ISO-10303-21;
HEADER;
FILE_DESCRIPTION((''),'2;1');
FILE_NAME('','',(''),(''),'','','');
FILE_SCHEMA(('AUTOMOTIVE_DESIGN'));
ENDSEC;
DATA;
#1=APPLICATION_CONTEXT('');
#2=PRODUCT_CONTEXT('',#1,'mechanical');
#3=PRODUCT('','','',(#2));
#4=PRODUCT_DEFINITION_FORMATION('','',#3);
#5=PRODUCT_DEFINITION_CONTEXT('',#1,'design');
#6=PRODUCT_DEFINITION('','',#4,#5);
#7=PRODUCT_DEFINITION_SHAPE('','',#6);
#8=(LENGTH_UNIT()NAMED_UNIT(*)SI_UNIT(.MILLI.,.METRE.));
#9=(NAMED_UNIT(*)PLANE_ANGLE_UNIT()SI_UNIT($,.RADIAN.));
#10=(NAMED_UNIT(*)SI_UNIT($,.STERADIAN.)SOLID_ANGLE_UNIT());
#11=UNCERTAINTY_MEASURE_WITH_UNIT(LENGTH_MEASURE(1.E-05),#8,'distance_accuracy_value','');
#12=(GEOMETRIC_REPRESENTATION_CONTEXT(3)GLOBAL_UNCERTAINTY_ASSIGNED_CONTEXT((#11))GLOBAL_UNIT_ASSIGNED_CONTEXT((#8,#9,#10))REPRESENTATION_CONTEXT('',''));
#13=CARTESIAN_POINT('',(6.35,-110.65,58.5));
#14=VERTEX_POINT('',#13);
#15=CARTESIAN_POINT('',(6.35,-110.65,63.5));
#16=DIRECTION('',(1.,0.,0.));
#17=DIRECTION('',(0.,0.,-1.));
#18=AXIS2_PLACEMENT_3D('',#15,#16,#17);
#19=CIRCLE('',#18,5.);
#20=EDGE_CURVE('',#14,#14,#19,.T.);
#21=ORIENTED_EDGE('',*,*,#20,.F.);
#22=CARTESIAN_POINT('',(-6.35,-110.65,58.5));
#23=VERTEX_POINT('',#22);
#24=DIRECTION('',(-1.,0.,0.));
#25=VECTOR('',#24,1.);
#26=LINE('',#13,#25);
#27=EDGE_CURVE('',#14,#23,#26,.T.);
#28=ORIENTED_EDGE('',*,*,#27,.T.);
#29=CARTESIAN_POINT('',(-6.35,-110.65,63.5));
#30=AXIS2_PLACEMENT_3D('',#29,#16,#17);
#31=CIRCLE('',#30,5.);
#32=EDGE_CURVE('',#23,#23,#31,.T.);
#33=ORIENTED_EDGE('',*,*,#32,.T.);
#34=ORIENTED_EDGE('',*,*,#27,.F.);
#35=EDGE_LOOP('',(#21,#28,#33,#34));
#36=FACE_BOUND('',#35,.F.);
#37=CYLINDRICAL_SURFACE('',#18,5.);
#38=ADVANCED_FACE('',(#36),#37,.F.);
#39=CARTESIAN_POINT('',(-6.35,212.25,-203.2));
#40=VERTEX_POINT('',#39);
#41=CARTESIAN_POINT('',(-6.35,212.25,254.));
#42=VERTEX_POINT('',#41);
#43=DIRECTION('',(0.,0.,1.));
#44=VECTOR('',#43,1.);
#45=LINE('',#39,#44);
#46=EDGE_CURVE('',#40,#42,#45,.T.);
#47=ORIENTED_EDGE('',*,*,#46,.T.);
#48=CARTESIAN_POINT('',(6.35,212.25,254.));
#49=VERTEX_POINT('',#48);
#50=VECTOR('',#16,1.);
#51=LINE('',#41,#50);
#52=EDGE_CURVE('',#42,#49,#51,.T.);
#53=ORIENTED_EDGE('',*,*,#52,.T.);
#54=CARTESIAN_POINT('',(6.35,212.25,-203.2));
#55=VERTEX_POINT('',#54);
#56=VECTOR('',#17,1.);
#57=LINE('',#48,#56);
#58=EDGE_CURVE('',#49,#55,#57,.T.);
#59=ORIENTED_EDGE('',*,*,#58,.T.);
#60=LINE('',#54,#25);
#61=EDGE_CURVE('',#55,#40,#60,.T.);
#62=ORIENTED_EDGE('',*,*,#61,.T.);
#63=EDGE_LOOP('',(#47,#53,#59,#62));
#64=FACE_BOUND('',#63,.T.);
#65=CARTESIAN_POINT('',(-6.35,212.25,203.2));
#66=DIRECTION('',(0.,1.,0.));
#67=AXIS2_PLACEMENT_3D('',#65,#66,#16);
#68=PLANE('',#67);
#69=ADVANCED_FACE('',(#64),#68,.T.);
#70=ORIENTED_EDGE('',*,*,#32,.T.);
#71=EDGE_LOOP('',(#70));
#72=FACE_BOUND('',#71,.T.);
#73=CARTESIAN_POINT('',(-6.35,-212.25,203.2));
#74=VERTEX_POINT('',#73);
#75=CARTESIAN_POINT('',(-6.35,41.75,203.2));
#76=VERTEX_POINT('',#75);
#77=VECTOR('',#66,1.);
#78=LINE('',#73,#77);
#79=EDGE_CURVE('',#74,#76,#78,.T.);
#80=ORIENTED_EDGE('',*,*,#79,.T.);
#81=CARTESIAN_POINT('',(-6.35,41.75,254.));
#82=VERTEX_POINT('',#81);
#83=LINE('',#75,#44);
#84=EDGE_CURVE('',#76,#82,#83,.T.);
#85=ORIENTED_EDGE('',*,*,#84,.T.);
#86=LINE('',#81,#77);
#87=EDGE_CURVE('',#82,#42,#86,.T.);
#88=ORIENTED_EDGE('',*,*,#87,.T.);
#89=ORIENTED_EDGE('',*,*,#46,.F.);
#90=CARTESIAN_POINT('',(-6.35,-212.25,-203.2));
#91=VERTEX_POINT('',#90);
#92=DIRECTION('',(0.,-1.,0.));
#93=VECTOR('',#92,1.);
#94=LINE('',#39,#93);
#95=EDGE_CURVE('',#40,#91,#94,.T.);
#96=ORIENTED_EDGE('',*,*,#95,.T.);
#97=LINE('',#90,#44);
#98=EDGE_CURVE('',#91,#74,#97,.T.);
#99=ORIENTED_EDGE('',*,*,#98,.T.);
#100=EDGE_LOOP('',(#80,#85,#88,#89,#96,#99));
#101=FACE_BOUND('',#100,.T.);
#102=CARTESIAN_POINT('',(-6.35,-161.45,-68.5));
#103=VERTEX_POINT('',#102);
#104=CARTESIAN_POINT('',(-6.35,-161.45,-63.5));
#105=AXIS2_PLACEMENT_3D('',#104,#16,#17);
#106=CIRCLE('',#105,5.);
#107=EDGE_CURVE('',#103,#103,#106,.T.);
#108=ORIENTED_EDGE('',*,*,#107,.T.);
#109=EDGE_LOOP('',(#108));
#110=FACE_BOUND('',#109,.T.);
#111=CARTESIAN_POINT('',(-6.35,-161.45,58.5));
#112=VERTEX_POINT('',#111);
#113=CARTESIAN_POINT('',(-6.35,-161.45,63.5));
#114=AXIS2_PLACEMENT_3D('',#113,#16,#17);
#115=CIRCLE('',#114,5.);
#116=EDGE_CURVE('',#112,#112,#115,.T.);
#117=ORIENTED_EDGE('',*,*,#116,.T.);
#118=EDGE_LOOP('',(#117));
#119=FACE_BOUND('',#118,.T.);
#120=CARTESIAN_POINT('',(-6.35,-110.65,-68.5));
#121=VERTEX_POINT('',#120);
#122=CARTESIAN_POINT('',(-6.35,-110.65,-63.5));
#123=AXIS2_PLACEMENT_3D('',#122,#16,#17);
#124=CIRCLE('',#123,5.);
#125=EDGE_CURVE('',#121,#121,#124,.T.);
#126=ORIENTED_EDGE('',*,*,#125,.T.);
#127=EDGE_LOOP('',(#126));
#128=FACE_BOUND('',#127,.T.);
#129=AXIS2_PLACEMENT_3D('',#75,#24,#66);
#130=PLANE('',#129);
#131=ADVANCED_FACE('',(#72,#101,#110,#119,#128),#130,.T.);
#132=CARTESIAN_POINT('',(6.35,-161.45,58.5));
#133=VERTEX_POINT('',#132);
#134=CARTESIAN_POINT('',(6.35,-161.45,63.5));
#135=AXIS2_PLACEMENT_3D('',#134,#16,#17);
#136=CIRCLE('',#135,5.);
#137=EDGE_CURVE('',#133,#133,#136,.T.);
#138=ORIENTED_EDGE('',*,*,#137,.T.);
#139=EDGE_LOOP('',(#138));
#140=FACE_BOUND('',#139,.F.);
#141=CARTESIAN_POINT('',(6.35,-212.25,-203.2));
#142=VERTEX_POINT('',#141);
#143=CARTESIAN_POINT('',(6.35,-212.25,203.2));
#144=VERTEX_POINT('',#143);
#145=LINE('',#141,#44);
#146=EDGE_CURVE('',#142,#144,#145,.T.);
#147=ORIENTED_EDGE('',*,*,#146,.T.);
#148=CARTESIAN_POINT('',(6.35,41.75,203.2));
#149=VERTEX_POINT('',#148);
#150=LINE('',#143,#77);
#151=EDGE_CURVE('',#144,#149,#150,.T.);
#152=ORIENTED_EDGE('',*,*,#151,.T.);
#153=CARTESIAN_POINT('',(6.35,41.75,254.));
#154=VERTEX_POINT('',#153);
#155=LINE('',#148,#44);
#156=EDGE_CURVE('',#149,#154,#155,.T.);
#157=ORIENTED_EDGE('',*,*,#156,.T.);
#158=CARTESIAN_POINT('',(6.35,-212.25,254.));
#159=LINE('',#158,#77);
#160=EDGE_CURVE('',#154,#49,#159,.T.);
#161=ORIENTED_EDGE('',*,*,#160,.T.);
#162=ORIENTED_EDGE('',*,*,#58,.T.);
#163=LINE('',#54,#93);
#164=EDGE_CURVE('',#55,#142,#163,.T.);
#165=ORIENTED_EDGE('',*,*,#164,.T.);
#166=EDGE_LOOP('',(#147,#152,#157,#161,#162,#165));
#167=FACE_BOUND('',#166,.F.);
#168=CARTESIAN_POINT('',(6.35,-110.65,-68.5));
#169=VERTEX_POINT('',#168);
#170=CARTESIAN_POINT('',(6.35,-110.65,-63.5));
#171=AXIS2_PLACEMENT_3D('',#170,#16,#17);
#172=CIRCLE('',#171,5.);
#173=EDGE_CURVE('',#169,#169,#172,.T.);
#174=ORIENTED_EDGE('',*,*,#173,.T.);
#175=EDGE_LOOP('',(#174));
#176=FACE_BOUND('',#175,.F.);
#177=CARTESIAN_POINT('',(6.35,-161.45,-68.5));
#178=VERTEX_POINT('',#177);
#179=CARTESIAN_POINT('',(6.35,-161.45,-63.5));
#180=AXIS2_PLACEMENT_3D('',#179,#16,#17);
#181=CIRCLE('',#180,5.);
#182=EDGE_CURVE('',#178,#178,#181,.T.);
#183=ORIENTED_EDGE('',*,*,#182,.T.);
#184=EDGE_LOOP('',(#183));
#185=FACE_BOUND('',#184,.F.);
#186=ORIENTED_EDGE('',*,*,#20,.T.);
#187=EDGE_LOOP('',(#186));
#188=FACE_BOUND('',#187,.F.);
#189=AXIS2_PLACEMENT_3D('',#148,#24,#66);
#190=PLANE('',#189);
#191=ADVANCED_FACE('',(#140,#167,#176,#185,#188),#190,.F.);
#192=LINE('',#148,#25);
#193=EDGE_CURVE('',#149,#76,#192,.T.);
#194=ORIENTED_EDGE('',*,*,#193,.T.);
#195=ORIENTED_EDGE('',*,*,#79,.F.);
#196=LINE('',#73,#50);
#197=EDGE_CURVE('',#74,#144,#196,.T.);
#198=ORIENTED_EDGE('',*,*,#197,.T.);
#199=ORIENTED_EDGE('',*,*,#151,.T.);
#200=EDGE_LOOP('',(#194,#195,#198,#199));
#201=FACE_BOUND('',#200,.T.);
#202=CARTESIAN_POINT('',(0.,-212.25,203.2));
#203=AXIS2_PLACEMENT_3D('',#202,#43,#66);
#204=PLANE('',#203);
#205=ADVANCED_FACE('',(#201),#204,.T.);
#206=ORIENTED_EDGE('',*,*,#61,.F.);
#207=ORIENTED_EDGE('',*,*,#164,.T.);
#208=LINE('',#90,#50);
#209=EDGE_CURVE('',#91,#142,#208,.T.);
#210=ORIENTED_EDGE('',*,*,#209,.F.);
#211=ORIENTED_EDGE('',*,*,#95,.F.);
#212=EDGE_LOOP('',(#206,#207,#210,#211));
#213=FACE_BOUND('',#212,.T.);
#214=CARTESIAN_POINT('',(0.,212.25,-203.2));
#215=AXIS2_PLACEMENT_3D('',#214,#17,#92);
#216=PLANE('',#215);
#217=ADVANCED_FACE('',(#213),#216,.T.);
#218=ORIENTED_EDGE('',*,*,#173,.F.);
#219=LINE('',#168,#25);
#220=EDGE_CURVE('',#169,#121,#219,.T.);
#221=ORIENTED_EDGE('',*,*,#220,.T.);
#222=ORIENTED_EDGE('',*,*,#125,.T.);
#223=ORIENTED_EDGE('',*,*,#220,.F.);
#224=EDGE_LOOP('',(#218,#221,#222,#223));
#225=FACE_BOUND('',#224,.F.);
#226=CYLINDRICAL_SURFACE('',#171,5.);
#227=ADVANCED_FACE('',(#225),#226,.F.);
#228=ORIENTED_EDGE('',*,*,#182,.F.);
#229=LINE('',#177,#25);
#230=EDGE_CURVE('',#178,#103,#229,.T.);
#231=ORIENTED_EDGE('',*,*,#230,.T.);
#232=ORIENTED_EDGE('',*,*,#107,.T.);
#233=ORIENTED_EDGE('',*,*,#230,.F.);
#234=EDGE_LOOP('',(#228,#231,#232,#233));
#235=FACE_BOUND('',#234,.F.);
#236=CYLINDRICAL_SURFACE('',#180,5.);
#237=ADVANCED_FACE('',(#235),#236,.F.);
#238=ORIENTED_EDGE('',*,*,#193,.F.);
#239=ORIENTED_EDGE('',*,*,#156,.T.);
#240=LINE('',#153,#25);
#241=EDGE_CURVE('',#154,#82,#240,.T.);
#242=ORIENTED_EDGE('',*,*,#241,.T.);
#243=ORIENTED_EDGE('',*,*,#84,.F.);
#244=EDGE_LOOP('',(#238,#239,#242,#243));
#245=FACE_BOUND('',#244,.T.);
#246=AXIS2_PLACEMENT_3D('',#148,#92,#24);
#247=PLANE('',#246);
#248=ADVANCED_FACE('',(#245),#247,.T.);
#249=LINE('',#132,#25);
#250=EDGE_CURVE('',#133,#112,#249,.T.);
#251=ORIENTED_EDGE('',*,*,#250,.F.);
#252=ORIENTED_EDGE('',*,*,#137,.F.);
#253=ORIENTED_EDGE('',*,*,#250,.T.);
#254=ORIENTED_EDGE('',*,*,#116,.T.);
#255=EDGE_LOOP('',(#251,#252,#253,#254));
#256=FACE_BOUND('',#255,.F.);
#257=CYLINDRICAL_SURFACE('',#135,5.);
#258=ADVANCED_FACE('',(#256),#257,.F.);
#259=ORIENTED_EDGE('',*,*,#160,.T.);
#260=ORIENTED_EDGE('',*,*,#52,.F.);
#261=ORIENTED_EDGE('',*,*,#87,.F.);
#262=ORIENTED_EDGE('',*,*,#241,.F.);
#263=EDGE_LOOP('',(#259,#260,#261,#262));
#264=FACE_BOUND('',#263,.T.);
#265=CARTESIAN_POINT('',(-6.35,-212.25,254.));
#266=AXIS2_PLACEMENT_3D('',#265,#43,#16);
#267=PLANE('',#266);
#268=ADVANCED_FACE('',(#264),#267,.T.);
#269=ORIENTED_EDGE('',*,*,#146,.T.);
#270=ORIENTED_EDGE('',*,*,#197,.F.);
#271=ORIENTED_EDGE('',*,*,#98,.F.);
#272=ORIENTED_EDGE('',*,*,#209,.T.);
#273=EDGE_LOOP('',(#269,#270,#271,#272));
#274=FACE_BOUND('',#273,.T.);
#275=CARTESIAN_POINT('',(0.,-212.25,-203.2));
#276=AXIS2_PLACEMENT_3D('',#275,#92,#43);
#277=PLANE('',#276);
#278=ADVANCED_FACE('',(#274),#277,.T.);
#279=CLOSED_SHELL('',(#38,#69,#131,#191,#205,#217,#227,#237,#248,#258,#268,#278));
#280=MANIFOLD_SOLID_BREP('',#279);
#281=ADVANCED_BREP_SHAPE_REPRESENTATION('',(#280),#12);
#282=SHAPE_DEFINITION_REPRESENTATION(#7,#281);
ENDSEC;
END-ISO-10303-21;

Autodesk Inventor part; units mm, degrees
ref_plane "YZ Plane" through (0, 0, 0) normal (1, 0, 0) x (0, 1, 0)
ref_plane "XZ Plane" through (0, 0, 0) normal (0, 1, 0) x (-1, 0, 0)
ref_plane "XY Plane" through (0, 0, 0) normal (0, 0, 1) x (1, 0, 0)
sketch "Sketch1" plane through (0, 0, 0) normal (1, 0, 0) x (0, 1, 0)
  line L0 (-212.25, 203.2) -> (212.25, 203.2)
  line L1 (212.25, 203.2) -> (212.25, -203.2)
  line L2 (212.25, -203.2) -> (-212.25, -203.2)
  line L3 (-212.25, -203.2) -> (-212.25, 203.2)
  line L4 (-212.25, 203.2) -> (212.25, -203.2) construction
  line L5 (212.25, 203.2) -> (-212.25, -203.2) construction
  point P0 (0, 0)
  dimension "d0" = 406.4
  dimension "d1" = 424.5
extrude "Extrusion1" add sketch "Sketch1" along normal mid plane 12.7
sketch "Sketch2" plane through (6.35, 0, 0) normal (1, 0, 0) x (0, 0, -1)
  circle A0 centre (-63.5, -161.45) radius 5
  line L0 (203.2, -212.25) -> (203.2, 212.25) projected
  line L1 (203.2, 212.25) -> (-203.2, 212.25) projected
  line L2 (-203.2, 212.25) -> (-203.2, -212.25) projected
  line L3 (-203.2, -212.25) -> (203.2, -212.25) projected
  circle A1 centre (63.5, -161.45) radius 5
  circle A2 centre (-63.5, -110.65) radius 5
  circle A3 centre (63.5, -110.65) radius 5
  point P0 (0, 0)
  dimension "d6" = 127
  dimension "d9" = 50.8
  dimension "d12" = 10
  dimension "d14" = 63.5
  dimension "d15" = 50.8
extrude "Extrusion2" cut sketch "Sketch2" against normal blind 12.7 contours A0 | A1 | A2 | A3
sketch "Sketch3" plane through (-6.35, -212.25, 203.2) normal (0, 0, 1) x (1, 0, 0)
  line L0 (0, 424.5) -> (12.7, 424.5) projected
  line L1 (12.7, 0) -> (12.7, 424.5) projected
  line L2 (0, 424.5) -> (12.7, 424.5)
  line L3 (12.7, 424.5) -> (12.7, 254)
  line L4 (12.7, 254) -> (0, 254)
  line L5 (0, 254) -> (0, 424.5)
  point P0 (6.35, 212.25)
  dimension "d20" = 170.5
extrude "Extrusion3" add sketch "Sketch3" along normal blind 50.8
properties part number "Wood-7"
